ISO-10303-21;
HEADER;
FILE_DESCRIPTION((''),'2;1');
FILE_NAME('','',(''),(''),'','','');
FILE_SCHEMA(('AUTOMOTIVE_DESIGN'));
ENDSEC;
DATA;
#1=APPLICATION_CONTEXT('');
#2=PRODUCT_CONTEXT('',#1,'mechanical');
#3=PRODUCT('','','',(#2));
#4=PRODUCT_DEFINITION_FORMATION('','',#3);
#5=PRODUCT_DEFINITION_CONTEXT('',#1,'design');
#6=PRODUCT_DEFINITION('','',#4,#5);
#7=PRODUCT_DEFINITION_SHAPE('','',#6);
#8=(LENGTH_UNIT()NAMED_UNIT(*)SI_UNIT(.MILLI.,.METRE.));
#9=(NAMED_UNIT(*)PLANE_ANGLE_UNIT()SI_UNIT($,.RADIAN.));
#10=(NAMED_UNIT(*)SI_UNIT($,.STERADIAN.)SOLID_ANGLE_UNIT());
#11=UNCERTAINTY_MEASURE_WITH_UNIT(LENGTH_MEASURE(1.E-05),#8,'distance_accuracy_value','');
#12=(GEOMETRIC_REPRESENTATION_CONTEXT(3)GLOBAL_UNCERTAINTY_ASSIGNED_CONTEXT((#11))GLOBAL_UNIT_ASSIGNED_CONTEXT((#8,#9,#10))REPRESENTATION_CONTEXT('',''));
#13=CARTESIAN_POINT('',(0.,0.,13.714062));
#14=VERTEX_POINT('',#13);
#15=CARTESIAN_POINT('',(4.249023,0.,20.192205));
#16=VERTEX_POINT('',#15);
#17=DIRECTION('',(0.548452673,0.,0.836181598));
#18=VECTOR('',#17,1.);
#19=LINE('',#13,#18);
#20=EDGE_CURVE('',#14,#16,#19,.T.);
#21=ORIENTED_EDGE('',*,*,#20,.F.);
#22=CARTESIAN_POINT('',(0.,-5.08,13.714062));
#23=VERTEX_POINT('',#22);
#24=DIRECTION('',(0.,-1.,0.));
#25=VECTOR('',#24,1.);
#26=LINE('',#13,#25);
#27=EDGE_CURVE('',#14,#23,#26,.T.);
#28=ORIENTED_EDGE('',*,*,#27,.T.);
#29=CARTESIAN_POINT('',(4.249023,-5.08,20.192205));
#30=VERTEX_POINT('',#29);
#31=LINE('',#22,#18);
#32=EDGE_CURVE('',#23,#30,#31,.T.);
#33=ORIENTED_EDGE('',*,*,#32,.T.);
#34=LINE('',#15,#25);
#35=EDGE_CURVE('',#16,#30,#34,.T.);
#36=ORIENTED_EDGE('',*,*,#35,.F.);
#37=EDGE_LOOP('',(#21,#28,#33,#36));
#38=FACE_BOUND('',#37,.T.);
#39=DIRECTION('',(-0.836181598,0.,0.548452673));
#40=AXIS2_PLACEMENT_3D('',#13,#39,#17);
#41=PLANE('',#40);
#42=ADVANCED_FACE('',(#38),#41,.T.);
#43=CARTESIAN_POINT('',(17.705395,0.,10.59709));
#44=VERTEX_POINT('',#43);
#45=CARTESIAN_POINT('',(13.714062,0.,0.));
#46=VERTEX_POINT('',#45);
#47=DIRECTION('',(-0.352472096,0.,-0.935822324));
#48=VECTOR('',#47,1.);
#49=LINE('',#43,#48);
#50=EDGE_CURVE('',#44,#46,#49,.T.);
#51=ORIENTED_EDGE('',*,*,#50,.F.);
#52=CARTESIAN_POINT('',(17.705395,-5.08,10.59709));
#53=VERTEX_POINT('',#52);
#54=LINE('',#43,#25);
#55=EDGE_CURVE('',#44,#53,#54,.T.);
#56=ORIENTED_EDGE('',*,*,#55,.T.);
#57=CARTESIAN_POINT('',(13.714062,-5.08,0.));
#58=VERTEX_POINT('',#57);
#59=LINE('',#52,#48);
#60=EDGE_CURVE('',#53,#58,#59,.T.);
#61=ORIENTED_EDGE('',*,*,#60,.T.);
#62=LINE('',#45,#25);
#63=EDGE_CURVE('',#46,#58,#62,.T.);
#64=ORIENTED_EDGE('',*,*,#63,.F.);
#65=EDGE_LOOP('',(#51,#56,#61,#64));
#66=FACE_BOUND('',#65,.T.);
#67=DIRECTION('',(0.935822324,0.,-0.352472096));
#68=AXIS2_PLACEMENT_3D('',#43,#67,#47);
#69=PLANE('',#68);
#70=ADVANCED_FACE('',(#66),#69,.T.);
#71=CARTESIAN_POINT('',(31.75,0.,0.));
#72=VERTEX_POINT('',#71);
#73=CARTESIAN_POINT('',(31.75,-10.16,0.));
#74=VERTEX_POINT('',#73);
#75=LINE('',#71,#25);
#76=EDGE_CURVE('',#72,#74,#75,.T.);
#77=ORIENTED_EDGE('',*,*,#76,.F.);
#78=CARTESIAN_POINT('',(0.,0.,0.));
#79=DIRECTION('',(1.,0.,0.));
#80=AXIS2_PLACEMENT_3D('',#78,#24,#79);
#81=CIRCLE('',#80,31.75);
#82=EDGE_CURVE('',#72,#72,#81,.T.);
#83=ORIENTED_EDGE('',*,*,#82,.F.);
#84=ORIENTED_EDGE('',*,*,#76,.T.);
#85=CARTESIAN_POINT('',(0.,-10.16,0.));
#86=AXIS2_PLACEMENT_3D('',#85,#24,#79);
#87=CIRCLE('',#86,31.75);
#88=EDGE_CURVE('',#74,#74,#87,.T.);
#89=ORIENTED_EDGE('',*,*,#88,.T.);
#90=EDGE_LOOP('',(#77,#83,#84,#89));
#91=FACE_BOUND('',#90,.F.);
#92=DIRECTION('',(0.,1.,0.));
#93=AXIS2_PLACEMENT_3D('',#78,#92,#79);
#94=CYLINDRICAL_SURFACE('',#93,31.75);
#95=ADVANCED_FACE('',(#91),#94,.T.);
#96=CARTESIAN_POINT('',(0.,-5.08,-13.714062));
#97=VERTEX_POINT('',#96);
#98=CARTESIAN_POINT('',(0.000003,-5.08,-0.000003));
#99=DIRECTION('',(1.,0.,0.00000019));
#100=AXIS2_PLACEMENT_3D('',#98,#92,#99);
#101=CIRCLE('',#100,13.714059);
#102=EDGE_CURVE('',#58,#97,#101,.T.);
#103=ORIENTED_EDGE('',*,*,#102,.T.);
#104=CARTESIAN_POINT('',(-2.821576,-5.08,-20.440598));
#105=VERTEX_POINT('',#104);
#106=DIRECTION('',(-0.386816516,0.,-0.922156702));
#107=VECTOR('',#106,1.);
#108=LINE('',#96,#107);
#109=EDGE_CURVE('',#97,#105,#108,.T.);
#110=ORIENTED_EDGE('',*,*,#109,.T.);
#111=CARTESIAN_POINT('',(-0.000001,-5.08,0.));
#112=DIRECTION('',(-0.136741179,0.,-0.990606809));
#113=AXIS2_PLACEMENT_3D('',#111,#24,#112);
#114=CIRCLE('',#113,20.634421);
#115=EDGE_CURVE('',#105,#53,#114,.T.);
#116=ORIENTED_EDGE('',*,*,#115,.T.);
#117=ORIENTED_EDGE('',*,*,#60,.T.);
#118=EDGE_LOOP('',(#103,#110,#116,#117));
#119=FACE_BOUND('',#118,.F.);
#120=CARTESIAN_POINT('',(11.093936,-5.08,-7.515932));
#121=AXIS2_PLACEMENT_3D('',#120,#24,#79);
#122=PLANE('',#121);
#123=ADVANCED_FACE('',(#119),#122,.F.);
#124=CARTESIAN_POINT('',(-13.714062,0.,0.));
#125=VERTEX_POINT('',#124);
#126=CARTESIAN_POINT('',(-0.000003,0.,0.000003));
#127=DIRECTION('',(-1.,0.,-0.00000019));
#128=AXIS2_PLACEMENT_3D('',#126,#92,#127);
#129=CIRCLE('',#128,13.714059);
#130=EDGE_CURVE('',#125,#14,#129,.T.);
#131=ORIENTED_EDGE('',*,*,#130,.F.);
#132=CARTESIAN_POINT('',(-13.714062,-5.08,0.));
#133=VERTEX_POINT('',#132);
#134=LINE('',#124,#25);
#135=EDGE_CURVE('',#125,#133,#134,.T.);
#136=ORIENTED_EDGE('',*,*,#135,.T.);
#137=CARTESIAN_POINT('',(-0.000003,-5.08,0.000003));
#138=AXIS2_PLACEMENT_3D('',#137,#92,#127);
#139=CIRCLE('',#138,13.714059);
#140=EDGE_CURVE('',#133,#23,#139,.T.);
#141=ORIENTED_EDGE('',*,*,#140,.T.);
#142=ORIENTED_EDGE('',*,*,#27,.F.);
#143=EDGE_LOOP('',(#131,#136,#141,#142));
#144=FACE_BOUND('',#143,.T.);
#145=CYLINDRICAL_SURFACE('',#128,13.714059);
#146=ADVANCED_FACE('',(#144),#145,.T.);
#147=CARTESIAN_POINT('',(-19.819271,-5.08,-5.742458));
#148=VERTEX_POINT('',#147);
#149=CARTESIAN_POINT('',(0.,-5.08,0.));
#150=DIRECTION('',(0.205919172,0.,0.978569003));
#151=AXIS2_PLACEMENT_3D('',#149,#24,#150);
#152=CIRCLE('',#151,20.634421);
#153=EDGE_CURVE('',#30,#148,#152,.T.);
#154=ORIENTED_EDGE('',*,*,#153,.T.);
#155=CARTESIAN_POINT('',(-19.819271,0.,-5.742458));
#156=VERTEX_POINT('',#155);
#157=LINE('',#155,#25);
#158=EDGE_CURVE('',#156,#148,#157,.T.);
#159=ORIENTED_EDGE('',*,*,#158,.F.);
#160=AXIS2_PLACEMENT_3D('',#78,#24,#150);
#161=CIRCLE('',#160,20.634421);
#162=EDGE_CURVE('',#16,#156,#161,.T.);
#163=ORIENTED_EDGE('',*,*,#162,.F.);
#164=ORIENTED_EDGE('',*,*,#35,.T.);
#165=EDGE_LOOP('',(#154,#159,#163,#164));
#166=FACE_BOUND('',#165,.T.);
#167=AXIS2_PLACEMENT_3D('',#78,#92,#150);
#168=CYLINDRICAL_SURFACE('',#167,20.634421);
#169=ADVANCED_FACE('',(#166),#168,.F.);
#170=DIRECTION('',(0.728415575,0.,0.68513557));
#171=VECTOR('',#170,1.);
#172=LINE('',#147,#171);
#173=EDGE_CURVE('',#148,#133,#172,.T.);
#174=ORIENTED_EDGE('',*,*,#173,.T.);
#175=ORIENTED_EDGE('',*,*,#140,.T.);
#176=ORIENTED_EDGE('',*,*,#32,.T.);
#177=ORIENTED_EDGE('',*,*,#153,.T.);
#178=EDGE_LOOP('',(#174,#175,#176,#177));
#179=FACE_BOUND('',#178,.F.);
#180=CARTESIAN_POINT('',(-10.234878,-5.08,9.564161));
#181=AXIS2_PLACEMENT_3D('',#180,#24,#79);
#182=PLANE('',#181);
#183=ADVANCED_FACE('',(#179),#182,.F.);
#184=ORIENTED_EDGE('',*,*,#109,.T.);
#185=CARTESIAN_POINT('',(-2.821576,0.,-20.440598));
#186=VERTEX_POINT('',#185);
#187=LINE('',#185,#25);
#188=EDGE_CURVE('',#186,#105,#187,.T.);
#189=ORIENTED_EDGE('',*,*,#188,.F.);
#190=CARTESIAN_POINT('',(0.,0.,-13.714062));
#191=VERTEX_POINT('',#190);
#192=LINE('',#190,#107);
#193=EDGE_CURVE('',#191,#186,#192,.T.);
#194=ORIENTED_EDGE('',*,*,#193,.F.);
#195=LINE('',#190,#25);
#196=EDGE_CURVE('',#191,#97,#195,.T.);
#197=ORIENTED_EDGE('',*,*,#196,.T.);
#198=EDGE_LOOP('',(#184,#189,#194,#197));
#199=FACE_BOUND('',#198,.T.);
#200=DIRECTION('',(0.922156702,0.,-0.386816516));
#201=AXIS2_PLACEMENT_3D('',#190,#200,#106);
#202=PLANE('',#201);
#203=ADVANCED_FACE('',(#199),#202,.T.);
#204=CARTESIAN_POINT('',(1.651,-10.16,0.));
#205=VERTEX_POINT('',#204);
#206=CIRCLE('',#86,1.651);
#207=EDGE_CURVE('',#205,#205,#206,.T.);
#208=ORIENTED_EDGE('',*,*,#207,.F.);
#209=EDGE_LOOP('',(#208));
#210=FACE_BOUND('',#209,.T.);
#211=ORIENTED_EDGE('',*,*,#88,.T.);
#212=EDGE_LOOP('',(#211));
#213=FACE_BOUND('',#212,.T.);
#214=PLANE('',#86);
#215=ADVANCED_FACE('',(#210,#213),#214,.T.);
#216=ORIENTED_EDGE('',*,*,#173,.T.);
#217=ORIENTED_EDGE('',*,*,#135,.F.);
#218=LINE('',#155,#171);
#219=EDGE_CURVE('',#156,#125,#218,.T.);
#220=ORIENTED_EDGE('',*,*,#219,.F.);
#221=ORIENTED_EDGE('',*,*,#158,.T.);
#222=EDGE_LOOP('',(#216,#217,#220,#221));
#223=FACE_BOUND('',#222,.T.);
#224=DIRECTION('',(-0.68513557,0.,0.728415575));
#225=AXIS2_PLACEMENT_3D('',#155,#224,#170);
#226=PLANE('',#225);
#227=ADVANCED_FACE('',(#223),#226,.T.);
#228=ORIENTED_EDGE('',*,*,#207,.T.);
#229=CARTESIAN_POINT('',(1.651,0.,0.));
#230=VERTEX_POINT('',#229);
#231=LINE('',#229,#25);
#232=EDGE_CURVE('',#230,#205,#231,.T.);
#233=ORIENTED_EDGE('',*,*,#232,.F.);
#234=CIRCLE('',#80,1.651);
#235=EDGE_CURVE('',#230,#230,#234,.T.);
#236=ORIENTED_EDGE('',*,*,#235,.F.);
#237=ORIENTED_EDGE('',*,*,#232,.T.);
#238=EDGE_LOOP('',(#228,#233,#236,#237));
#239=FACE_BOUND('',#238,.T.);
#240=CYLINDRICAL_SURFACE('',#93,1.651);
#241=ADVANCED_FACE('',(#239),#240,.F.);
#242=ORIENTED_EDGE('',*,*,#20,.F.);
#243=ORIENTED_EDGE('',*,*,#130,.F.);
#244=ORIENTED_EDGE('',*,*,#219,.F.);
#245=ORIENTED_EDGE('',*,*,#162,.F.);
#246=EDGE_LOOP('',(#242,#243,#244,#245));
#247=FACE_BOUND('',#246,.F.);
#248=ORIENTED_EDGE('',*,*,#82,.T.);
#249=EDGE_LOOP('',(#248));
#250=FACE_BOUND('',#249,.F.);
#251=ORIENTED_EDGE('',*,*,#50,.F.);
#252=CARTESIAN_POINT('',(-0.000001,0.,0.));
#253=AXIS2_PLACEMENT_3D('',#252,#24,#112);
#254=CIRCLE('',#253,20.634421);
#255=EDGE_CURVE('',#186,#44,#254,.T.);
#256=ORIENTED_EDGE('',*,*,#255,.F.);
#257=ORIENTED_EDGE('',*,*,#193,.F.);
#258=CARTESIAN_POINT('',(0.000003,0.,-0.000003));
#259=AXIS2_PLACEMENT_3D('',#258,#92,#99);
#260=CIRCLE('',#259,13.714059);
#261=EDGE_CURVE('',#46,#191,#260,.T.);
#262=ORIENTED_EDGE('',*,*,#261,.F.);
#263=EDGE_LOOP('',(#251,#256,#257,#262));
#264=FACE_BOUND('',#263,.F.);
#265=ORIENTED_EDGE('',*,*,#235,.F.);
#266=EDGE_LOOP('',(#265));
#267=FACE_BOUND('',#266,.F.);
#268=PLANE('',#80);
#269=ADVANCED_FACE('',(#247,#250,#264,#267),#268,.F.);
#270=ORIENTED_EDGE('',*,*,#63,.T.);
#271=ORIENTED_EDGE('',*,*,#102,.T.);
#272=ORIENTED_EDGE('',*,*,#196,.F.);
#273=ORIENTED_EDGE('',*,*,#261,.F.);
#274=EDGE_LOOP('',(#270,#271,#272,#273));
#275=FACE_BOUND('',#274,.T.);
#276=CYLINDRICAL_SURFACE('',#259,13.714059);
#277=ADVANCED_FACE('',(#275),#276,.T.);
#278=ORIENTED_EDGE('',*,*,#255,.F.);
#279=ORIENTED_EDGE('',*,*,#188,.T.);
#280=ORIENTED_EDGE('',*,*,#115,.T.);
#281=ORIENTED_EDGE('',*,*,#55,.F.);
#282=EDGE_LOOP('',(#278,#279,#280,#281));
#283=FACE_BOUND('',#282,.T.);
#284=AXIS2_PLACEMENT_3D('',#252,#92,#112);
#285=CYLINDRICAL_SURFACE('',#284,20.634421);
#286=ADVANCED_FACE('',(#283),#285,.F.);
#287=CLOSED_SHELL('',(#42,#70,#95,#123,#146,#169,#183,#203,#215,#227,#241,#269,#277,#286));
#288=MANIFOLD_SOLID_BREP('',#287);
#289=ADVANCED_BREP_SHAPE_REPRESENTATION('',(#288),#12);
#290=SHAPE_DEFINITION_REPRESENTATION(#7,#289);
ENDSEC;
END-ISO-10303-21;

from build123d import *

# Parameters (mm, degrees)
F0_R     = 31.75
F0_R_2   = 1.651
F1_DEPTH = 10.16
F3_DEPTH = 5.08


with BuildPart() as f1:
    # F0 (on Front) → F1 (new body)
    with BuildSketch(Plane.XZ):
        Circle(F0_R)
        Circle(F0_R_2, mode=Mode.SUBTRACT)
    extrude(amount=F1_DEPTH)

    # F2 (on Front) → F3 (cut)
    with BuildSketch(Plane.XZ):
        with BuildLine():
            Line((0, 13.714062), (4.249023, 20.192205))
            ThreePointArc((4.249023, 20.192205), (-15.124809, 14.036363), (-19.819271, -5.742458))
            Line((-19.819271, -5.742458), (-13.714062, 0))
            ThreePointArc((-13.714062, 0), (-9.697307, 9.697307), (0, 13.714062))
        make_face()
        with BuildLine():
            ThreePointArc((13.714062, 0), (9.697307, -9.697307), (0, -13.714062))
            Line((0, -13.714062), (-2.821576, -20.440598))
            ThreePointArc((-2.821576, -20.440598), (17.210942, -11.382565), (17.705395, 10.59709))
            Line((17.705395, 10.59709), (13.714062, 0))
        make_face()
    extrude(amount=F3_DEPTH, mode=Mode.SUBTRACT)


solid = f1.part
